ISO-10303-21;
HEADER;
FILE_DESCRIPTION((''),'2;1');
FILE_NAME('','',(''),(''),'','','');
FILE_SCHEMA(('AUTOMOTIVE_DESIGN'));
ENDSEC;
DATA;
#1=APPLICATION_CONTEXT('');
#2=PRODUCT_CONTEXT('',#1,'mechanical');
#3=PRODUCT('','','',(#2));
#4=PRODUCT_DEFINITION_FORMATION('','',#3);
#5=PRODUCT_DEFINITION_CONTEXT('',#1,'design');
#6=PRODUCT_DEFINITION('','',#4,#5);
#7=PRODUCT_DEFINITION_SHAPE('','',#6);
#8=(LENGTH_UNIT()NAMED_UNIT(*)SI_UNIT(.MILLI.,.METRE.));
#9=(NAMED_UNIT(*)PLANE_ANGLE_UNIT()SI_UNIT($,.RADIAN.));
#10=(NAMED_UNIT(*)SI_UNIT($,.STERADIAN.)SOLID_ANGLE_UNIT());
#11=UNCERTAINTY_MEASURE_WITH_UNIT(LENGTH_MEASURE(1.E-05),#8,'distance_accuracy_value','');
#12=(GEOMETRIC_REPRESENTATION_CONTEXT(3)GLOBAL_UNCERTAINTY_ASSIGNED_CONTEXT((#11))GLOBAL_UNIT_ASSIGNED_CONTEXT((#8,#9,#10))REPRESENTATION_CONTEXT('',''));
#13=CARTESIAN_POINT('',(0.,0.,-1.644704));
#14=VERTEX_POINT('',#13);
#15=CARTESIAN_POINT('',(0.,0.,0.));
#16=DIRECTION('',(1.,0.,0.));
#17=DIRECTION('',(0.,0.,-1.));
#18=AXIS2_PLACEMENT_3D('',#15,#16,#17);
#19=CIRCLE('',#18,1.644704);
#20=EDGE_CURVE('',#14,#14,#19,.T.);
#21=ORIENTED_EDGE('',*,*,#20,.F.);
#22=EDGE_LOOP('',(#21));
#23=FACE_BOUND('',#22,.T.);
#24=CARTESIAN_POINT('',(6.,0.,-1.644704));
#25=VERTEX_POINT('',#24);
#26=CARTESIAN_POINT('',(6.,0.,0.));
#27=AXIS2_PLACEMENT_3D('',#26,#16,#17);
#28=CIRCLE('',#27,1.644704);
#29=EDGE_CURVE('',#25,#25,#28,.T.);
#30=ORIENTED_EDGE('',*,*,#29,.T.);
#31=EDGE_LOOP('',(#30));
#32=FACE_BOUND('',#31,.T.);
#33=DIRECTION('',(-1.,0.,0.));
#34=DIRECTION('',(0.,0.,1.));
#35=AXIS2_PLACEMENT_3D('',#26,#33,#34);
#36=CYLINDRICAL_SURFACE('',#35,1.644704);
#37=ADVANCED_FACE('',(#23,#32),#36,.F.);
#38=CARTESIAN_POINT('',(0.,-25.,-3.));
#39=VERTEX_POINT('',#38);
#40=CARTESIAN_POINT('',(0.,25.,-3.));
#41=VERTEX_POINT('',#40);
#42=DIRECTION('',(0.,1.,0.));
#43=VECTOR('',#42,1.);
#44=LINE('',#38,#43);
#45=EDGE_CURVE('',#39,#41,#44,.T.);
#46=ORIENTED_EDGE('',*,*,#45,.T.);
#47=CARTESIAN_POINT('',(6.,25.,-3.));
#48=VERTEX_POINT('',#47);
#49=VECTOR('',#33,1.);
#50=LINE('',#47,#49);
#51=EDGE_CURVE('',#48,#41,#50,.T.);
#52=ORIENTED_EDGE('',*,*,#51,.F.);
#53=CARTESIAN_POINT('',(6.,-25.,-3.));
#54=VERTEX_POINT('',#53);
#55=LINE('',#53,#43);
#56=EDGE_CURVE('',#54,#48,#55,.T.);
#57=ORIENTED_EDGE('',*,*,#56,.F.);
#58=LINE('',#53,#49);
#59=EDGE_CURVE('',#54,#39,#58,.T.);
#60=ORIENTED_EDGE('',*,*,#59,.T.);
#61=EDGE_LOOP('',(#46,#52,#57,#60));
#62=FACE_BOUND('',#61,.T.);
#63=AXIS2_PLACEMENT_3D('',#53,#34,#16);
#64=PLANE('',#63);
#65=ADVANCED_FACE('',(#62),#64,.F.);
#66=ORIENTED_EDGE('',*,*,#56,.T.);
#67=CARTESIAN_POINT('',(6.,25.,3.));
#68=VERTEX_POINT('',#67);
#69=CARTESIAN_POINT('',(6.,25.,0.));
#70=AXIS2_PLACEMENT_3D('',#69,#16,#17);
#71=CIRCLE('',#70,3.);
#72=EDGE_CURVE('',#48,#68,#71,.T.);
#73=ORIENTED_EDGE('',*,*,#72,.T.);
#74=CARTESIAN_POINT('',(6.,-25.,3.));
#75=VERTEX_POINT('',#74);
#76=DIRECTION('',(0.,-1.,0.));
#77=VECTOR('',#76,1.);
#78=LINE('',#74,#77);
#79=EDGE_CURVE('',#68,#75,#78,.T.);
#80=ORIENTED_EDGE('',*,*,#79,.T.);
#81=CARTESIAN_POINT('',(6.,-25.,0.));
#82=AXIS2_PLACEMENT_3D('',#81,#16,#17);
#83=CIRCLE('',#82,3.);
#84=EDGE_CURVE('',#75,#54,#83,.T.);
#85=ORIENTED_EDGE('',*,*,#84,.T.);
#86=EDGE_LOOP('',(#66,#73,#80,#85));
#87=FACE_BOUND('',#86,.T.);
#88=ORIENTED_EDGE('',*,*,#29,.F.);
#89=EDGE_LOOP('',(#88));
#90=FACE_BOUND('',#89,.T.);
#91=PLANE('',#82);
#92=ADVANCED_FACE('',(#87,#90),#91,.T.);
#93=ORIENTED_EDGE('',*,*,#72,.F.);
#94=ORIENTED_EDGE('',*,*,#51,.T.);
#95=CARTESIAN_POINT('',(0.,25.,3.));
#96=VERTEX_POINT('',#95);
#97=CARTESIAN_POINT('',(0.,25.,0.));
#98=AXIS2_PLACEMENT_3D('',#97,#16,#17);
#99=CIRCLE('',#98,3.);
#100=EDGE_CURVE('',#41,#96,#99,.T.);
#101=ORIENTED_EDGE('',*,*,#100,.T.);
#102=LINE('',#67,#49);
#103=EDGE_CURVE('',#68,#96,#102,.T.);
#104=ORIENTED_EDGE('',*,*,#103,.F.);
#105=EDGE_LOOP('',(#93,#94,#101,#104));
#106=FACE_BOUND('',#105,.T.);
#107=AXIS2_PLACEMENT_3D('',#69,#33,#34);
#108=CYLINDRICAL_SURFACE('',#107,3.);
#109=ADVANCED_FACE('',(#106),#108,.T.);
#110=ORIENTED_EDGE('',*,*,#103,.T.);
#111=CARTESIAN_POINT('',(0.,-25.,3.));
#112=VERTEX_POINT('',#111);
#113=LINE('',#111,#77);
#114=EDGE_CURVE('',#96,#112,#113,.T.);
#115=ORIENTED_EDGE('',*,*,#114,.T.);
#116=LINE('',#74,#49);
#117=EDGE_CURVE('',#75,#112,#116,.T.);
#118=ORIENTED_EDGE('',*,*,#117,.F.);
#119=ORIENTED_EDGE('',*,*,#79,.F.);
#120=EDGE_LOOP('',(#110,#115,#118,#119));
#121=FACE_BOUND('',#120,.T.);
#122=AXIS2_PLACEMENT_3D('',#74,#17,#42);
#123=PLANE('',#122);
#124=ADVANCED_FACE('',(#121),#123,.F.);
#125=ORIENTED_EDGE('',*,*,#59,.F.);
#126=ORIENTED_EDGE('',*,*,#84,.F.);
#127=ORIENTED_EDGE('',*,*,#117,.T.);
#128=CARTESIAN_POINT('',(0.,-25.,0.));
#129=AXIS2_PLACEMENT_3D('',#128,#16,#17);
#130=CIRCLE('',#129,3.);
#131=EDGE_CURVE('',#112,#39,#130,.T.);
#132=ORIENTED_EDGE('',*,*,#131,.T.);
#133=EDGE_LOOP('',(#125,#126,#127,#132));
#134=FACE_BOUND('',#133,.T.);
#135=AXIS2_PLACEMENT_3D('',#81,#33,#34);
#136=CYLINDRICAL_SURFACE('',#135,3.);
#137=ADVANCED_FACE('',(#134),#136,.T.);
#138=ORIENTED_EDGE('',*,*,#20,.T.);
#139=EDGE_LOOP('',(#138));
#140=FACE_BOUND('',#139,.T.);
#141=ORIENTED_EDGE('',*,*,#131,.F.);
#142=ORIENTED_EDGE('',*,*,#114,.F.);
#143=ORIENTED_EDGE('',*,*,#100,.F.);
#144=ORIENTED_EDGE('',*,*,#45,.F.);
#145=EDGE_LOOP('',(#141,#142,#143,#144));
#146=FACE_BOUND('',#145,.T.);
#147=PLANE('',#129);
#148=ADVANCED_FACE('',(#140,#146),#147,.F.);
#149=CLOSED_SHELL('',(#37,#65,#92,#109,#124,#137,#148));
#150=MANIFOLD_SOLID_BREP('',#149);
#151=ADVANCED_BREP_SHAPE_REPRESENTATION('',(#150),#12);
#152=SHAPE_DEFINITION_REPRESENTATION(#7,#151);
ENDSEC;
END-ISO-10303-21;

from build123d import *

# Parameters (mm, degrees)
SKETCH_1_R      = 1.644704327
EXTRUDE_1_DEPTH = 6


with BuildPart() as part:
    # 草图1 → 凸台-拉伸1 (new body)
    with BuildSketch(Plane(origin=(0, 0, 0), x_dir=(0, 0, -1), z_dir=(1, 0, 0))):
        with BuildLine():
            Line((-3, -25), (-3, 25))
            ThreePointArc((-3, 25), (0, 28), (3, 25))
            Line((3, 25), (3, -25))
            ThreePointArc((3, -25), (0, -28), (-3, -25))
        make_face()
        Circle(SKETCH_1_R, mode=Mode.SUBTRACT)
    extrude(amount=EXTRUDE_1_DEPTH)


solid = part.part
